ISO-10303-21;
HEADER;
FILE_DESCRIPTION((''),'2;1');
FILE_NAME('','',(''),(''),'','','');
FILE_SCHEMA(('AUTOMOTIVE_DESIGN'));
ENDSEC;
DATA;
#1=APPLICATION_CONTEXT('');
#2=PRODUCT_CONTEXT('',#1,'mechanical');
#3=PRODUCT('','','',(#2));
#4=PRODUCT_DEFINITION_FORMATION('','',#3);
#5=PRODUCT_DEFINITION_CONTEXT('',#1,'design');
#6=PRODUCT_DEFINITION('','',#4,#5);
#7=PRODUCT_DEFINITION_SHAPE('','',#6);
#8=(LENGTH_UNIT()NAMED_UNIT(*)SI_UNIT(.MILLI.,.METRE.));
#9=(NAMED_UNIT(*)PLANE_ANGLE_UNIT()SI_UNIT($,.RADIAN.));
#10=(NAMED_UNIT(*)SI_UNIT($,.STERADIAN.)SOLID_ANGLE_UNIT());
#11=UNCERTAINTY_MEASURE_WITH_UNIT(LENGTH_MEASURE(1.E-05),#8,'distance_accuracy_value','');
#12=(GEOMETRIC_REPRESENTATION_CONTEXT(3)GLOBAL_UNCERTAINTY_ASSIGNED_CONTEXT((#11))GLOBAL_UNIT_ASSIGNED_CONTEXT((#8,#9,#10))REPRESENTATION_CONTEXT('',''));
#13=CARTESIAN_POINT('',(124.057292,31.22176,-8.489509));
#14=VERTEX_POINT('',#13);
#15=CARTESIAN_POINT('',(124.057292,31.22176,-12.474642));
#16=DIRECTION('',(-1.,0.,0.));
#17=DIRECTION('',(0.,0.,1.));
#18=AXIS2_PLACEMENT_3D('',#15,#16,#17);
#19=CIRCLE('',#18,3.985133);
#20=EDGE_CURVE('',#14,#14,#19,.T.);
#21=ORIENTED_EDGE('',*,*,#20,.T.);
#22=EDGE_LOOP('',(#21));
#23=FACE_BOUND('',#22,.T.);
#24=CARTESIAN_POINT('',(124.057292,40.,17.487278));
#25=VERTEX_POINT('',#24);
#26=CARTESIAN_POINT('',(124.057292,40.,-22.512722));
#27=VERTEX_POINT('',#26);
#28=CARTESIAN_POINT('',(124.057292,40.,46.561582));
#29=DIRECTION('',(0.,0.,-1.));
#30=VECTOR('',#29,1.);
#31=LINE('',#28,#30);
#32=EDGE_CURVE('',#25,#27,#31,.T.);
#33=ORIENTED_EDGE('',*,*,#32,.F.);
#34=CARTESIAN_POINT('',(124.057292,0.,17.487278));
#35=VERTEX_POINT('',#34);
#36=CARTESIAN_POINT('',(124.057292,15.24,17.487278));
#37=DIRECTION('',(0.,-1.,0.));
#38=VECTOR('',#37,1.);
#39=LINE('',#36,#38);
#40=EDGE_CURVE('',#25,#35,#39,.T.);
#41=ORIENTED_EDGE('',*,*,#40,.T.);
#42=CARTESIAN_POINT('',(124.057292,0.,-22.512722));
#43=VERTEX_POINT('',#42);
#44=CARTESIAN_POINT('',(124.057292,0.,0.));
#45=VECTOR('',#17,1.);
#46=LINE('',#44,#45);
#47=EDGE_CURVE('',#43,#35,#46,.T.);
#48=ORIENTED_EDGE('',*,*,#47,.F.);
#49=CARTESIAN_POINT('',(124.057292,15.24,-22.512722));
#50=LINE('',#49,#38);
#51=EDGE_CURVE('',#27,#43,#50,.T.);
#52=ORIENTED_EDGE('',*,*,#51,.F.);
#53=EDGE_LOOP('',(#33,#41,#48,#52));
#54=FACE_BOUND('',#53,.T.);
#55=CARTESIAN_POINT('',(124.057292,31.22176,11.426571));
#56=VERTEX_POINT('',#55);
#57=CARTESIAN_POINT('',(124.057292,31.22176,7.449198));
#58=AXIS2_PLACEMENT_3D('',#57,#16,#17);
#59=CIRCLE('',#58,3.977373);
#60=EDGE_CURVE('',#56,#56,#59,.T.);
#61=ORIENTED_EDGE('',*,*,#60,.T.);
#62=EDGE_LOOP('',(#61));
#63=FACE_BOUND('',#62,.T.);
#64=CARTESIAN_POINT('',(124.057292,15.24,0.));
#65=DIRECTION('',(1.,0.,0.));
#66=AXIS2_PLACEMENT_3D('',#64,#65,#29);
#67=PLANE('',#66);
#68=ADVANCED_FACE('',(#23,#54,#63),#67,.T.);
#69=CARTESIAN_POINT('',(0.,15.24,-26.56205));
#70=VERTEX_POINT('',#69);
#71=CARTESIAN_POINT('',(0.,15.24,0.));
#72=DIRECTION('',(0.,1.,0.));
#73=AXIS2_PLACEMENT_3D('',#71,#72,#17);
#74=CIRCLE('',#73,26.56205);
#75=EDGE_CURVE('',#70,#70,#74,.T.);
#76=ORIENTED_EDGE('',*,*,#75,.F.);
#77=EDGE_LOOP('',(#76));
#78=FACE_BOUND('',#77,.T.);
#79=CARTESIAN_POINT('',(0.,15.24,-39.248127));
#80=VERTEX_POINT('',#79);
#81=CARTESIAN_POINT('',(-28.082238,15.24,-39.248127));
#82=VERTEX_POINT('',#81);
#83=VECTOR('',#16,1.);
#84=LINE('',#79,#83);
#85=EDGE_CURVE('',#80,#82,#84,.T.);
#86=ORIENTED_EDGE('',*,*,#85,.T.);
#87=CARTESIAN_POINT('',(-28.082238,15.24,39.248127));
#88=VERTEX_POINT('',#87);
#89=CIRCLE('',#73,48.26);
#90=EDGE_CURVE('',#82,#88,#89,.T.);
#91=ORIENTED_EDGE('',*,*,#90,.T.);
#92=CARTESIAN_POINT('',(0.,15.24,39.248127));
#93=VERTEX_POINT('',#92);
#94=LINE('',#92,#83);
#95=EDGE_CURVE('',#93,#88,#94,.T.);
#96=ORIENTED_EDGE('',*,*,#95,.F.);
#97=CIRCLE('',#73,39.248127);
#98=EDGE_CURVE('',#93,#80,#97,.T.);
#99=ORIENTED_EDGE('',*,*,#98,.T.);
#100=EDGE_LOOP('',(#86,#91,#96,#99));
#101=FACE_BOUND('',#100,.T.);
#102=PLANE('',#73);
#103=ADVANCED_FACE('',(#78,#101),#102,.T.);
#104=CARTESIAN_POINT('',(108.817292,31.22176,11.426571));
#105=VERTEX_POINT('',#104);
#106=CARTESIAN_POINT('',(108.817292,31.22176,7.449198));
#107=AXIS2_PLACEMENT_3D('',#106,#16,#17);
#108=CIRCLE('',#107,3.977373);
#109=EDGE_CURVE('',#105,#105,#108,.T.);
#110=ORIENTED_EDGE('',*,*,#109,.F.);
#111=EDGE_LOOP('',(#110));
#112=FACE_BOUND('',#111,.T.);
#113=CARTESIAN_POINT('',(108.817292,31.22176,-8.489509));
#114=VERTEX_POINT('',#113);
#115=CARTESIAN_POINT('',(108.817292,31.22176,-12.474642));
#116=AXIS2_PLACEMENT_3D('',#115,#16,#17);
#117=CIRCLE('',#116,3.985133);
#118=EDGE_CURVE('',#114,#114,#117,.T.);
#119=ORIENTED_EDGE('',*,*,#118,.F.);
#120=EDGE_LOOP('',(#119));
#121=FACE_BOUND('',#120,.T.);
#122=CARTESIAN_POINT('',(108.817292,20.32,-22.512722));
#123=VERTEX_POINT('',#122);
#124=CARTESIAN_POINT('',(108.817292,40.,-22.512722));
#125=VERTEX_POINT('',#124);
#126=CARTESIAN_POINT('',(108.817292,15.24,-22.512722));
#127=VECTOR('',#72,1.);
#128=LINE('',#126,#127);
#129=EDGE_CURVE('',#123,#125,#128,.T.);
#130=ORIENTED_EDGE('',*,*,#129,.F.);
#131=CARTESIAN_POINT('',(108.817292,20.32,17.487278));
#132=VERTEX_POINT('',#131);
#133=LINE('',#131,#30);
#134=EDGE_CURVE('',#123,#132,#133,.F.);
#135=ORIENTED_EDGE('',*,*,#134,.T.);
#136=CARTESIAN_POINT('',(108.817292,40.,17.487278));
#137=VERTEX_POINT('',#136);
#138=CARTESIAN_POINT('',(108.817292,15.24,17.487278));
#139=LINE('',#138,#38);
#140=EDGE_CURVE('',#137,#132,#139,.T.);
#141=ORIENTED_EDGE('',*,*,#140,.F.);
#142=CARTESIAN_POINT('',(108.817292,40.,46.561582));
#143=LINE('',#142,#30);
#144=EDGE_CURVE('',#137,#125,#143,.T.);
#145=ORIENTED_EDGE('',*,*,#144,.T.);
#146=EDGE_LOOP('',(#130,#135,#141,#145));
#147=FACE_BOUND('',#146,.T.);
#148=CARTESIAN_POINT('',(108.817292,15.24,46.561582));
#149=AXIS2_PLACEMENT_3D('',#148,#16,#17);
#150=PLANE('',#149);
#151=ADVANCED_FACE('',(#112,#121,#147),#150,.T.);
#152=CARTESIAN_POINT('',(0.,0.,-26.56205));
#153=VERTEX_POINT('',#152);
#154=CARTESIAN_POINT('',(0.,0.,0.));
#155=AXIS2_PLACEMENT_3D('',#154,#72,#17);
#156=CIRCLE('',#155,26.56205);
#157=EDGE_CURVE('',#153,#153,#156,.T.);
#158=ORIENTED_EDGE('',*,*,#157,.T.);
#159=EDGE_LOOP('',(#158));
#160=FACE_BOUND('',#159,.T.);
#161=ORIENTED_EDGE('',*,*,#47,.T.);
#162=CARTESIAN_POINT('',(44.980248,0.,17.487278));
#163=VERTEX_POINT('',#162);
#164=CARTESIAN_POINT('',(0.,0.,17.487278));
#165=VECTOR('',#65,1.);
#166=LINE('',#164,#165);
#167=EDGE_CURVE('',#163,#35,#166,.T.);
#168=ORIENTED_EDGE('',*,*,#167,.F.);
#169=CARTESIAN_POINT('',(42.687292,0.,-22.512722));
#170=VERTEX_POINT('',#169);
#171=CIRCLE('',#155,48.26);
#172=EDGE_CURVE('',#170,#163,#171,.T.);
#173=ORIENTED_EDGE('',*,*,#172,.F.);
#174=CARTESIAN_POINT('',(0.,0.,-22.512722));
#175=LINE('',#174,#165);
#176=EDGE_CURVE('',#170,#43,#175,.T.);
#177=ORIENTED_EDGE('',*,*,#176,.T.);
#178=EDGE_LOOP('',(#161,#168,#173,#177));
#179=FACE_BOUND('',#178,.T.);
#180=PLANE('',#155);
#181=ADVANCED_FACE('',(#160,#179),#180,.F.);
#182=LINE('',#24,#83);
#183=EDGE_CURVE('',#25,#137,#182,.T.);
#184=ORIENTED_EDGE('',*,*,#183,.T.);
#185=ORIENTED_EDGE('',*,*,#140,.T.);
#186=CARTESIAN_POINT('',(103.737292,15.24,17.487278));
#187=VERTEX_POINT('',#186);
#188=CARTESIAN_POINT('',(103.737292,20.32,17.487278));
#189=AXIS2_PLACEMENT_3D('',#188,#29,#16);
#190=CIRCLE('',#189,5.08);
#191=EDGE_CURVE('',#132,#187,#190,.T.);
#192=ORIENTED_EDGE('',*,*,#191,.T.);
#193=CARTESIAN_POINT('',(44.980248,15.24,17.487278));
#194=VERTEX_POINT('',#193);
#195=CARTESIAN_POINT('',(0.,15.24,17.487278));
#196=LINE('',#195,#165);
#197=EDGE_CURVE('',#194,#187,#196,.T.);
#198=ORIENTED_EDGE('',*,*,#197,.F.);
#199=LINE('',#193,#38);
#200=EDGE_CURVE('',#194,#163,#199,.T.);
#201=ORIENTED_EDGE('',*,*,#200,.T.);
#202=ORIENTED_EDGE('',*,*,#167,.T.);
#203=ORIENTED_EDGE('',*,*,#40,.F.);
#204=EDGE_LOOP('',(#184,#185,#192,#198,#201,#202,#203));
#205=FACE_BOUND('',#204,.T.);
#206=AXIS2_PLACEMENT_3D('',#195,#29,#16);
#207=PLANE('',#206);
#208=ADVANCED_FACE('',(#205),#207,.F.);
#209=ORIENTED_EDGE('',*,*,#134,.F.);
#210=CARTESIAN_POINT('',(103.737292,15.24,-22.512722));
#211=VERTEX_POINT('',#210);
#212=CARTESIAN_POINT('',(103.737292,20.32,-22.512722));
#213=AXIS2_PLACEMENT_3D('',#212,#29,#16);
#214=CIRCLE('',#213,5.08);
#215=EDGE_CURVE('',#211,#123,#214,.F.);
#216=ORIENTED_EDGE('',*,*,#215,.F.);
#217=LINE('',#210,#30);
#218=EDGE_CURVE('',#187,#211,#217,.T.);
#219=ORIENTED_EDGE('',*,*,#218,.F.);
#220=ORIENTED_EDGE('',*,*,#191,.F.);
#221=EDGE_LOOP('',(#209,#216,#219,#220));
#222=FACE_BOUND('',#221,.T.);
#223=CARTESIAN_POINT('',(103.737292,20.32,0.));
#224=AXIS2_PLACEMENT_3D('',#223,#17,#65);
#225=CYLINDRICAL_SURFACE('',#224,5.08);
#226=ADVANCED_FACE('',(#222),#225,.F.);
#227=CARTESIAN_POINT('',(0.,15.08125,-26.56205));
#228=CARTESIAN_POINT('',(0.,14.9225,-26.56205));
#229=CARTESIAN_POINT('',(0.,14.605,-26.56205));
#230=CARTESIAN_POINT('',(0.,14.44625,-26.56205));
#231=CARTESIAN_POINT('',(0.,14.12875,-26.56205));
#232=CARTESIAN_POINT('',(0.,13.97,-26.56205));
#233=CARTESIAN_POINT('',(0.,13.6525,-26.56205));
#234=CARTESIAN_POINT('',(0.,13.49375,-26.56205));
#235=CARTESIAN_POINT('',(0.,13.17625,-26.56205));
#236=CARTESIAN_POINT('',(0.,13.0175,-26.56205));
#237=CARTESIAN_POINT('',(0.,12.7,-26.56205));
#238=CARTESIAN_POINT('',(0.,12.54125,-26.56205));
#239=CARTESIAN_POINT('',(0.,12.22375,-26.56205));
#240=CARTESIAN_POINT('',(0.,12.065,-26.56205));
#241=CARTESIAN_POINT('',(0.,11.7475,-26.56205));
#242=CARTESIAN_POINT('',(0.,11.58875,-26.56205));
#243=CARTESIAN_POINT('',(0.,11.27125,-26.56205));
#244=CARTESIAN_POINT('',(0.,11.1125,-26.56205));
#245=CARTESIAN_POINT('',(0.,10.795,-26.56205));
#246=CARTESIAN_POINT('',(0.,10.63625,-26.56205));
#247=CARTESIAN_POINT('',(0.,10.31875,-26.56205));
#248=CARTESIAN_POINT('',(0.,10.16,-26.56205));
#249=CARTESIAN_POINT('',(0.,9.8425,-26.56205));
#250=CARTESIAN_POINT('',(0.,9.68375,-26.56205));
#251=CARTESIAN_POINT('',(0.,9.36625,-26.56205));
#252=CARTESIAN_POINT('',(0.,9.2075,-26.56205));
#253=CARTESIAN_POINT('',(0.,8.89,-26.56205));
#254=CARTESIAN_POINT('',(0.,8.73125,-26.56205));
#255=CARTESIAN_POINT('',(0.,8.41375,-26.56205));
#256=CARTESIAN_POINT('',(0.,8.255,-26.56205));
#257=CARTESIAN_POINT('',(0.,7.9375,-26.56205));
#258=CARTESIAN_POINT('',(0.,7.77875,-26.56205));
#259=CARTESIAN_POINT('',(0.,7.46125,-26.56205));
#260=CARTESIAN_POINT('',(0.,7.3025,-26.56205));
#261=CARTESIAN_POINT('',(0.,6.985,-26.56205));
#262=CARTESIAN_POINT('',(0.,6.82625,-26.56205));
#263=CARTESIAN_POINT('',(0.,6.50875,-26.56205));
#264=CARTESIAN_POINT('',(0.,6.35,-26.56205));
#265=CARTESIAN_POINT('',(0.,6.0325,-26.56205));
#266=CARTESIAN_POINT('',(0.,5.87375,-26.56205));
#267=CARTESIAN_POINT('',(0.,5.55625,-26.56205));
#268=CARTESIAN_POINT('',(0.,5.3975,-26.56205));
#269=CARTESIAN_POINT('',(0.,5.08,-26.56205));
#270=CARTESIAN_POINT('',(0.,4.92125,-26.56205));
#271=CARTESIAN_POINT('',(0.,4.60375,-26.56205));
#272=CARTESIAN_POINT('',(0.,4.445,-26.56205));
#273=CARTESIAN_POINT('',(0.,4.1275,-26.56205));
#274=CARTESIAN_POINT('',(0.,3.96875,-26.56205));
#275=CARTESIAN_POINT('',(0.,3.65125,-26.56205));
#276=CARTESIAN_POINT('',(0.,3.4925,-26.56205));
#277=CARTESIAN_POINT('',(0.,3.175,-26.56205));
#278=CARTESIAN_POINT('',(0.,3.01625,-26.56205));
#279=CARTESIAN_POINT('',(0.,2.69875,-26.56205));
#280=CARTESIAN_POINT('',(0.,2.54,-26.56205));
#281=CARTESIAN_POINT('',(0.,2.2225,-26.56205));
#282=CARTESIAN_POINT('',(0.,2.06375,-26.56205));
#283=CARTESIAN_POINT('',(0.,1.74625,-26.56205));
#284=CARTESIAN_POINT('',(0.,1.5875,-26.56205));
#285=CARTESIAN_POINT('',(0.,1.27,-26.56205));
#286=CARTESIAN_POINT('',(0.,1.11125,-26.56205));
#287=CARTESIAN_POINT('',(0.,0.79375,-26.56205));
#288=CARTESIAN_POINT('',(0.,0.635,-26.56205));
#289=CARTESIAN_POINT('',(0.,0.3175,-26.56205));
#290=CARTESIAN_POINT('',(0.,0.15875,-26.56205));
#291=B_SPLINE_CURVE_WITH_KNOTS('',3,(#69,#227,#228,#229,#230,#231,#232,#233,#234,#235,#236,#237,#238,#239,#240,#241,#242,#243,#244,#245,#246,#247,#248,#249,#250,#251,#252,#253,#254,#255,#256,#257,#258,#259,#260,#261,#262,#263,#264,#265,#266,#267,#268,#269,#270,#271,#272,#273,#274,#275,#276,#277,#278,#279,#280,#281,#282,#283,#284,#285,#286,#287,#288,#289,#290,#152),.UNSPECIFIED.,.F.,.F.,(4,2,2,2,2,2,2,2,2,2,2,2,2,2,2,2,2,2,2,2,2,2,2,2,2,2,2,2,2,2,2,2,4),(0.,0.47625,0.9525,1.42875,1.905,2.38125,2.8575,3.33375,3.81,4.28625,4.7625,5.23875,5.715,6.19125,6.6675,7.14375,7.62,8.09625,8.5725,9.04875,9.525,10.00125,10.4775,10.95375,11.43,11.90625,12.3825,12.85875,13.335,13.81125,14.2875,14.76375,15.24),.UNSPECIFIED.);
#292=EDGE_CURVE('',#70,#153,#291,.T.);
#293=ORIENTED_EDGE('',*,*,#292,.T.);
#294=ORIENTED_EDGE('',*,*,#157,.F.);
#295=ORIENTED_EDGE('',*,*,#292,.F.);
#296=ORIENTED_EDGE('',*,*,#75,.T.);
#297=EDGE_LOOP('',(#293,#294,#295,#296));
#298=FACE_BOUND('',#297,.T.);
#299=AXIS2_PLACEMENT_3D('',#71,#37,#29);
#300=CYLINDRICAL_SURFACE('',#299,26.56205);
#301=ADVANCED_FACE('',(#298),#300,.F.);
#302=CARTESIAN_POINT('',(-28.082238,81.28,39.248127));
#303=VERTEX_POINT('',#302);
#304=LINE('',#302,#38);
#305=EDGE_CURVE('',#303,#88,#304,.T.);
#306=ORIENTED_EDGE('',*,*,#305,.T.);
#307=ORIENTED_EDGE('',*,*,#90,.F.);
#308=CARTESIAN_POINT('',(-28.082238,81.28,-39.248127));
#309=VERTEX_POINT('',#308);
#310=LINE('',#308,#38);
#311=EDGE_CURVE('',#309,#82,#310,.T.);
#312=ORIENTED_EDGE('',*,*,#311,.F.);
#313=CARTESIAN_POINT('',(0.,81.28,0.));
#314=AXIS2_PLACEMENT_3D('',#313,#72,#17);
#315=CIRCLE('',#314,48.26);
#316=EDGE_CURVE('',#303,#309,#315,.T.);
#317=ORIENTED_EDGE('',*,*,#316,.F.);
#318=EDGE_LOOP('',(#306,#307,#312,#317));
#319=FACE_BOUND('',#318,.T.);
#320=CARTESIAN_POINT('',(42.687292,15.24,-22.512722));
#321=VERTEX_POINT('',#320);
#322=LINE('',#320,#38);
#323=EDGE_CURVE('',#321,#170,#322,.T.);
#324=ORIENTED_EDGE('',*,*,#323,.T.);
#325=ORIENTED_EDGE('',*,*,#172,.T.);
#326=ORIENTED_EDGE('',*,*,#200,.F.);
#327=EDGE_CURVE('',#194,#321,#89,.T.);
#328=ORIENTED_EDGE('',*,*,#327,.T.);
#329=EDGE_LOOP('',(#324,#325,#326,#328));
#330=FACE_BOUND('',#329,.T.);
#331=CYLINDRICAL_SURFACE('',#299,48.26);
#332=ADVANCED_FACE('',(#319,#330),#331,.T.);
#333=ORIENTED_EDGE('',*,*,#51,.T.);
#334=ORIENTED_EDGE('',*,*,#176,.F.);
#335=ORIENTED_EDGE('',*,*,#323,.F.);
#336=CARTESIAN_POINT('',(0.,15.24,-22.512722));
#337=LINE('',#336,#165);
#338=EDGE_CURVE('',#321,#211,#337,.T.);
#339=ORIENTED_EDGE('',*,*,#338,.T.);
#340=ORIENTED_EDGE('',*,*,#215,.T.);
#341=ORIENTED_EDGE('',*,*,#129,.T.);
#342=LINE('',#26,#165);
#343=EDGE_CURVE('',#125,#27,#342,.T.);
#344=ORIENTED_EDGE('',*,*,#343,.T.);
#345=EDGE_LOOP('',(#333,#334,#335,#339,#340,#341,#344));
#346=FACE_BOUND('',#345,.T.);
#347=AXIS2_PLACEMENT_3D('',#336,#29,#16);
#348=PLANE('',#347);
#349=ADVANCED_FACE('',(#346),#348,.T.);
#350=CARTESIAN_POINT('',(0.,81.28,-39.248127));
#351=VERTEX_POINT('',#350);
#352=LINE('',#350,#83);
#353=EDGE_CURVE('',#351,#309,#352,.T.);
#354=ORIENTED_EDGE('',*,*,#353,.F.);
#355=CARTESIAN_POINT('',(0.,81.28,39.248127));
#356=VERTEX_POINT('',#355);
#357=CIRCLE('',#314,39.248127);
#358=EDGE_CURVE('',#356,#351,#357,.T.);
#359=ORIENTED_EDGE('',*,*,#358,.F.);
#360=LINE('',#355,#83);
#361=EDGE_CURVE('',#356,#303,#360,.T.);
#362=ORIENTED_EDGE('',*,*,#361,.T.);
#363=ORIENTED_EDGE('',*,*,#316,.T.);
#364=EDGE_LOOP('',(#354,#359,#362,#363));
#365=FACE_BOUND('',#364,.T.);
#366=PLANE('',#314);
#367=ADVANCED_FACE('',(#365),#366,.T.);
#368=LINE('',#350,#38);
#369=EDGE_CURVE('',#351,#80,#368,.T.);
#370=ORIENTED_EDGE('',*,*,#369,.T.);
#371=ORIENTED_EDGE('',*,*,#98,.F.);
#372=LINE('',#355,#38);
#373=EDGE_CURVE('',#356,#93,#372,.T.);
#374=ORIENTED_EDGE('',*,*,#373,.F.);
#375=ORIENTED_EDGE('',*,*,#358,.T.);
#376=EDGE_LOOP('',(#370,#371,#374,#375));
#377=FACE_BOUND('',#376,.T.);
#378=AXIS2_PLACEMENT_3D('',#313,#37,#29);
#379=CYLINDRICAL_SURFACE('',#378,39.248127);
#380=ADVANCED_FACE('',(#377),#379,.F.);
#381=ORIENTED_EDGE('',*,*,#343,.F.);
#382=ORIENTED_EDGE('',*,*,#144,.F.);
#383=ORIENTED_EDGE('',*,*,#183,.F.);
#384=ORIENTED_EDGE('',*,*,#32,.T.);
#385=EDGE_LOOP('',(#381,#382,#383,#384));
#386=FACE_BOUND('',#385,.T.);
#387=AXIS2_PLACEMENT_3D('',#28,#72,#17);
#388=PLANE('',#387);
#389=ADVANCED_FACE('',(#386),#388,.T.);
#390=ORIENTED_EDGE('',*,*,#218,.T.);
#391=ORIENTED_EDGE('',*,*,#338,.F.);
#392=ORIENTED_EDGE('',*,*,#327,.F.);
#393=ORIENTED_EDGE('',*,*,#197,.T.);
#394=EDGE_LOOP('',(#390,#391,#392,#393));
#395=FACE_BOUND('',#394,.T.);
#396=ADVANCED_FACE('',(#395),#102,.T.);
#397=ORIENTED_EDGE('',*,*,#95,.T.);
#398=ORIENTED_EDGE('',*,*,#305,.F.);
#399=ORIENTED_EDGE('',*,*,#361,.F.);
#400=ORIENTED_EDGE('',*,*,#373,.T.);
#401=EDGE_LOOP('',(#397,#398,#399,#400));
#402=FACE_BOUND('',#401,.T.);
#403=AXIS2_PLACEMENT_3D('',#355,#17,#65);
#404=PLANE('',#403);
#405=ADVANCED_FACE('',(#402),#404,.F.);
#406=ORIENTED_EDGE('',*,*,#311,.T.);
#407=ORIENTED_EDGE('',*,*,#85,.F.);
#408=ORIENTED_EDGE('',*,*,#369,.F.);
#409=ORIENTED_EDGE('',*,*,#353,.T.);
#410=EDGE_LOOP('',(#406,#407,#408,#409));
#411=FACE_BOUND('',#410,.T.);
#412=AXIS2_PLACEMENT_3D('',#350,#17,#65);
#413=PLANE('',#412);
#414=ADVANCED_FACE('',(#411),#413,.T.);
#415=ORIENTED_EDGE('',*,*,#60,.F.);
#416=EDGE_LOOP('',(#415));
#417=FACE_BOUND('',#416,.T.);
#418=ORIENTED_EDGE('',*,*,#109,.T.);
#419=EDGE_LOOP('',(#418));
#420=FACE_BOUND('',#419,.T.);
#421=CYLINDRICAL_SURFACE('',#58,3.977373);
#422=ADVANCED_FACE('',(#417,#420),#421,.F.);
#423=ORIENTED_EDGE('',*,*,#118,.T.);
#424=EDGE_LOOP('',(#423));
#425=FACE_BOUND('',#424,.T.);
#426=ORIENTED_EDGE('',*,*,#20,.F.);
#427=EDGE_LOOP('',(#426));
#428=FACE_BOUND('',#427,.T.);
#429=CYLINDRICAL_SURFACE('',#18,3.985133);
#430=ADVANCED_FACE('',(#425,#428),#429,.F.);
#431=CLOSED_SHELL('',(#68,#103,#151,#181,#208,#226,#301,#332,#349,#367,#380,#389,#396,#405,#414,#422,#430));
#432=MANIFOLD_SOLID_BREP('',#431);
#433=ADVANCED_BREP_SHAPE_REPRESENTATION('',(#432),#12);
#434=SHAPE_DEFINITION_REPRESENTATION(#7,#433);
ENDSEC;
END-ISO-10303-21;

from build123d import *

# Parameters (mm, degrees)
SKETCH1_R           = 48.26
SKETCH1_R_2         = 26.56205
SKETCH1_W           = 81.370000074
SKETCH1_H           = 40
BOSS_EXTRUDE2_DEPTH = 15.24
SKETCH2_W           = 15.24
SKETCH2_H           = 24.76
BOSS_EXTRUDE3_DEPTH = 40
SKETCH3_R           = 3.9773733
SKETCH3_R_2         = 3.985133
CUT_EXTRUDE1_DEPTH  = 170.12215531
FILLET1_R           = 5.08
BOSS_EXTRUDE4_DEPTH = 66.04


with BuildPart() as part:
    # Sketch1 → Boss-Extrude2 (new body)
    # profile 1 of 2: a face of its own
    with BuildSketch(Plane(origin=(0, 0, 0), x_dir=(1, 0, 0), z_dir=(0, 1, 0))):
        Circle(SKETCH1_R)
        with Locations(Location((0, 0, 0), (0, 0, 90))):
            Circle(SKETCH1_R_2, mode=Mode.SUBTRACT)
    # profile 2 of 2: a face of its own
    with BuildSketch(Plane(origin=(0, 0, 0), x_dir=(1, 0, 0), z_dir=(0, 1, 0))):
        with Locations((83.372292456, 2.512722314)):
            Rectangle(SKETCH1_W, SKETCH1_H)
    extrude(amount=BOSS_EXTRUDE2_DEPTH)

    # Sketch2 → Boss-Extrude3 (add)
    with BuildSketch(Plane(origin=(0, 0, -22.512722314), x_dir=(-1, 0, 0), z_dir=(0, 0, -1))):
        with Locations((-116.437292493, 27.62)):
            Rectangle(SKETCH2_W, SKETCH2_H)
    extrude(amount=-BOSS_EXTRUDE3_DEPTH)

    # Sketch3 → Cut-Extrude1 (cut, through all)
    with BuildSketch(Plane.ZY.offset(-108.817292493)):
        with Locations((7.449197686, 31.22176)):
            Circle(SKETCH3_R)
        with Locations((-12.474642314, 31.22176)):
            Circle(SKETCH3_R_2)
    extrude(amount=-CUT_EXTRUDE1_DEPTH, mode=Mode.SUBTRACT)

    # Fillet1
    fillet1_edges = [part.edges().sort_by_distance(p)[0] for p in [
        (108.817292493, 15.24, -2.512722314),
    ]]
    fillet(fillet1_edges, radius=FILLET1_R)

    # Sketch5 → Boss-Extrude4 (add)
    with BuildSketch(Plane(origin=(0, 15.24, 0), x_dir=(1, 0, 0), z_dir=(0, 1, 0))):
        with BuildLine():
            ThreePointArc((0, 39.248127244), (39.248127244, 0), (0, -39.248127244))
            Line((0, -39.248127244), (-28.082238298, -39.248127244))
            ThreePointArc((-28.082238298, -39.248127244), (22.065570237, -42.920137583), (48.26, 0))
            ThreePointArc((48.26, 0), (22.065570237, 42.920137583), (-28.082238298, 39.248127244))
            Line((-28.082238298, 39.248127244), (0, 39.248127244))
        make_face()
    extrude(amount=BOSS_EXTRUDE4_DEPTH)


solid = part.part
